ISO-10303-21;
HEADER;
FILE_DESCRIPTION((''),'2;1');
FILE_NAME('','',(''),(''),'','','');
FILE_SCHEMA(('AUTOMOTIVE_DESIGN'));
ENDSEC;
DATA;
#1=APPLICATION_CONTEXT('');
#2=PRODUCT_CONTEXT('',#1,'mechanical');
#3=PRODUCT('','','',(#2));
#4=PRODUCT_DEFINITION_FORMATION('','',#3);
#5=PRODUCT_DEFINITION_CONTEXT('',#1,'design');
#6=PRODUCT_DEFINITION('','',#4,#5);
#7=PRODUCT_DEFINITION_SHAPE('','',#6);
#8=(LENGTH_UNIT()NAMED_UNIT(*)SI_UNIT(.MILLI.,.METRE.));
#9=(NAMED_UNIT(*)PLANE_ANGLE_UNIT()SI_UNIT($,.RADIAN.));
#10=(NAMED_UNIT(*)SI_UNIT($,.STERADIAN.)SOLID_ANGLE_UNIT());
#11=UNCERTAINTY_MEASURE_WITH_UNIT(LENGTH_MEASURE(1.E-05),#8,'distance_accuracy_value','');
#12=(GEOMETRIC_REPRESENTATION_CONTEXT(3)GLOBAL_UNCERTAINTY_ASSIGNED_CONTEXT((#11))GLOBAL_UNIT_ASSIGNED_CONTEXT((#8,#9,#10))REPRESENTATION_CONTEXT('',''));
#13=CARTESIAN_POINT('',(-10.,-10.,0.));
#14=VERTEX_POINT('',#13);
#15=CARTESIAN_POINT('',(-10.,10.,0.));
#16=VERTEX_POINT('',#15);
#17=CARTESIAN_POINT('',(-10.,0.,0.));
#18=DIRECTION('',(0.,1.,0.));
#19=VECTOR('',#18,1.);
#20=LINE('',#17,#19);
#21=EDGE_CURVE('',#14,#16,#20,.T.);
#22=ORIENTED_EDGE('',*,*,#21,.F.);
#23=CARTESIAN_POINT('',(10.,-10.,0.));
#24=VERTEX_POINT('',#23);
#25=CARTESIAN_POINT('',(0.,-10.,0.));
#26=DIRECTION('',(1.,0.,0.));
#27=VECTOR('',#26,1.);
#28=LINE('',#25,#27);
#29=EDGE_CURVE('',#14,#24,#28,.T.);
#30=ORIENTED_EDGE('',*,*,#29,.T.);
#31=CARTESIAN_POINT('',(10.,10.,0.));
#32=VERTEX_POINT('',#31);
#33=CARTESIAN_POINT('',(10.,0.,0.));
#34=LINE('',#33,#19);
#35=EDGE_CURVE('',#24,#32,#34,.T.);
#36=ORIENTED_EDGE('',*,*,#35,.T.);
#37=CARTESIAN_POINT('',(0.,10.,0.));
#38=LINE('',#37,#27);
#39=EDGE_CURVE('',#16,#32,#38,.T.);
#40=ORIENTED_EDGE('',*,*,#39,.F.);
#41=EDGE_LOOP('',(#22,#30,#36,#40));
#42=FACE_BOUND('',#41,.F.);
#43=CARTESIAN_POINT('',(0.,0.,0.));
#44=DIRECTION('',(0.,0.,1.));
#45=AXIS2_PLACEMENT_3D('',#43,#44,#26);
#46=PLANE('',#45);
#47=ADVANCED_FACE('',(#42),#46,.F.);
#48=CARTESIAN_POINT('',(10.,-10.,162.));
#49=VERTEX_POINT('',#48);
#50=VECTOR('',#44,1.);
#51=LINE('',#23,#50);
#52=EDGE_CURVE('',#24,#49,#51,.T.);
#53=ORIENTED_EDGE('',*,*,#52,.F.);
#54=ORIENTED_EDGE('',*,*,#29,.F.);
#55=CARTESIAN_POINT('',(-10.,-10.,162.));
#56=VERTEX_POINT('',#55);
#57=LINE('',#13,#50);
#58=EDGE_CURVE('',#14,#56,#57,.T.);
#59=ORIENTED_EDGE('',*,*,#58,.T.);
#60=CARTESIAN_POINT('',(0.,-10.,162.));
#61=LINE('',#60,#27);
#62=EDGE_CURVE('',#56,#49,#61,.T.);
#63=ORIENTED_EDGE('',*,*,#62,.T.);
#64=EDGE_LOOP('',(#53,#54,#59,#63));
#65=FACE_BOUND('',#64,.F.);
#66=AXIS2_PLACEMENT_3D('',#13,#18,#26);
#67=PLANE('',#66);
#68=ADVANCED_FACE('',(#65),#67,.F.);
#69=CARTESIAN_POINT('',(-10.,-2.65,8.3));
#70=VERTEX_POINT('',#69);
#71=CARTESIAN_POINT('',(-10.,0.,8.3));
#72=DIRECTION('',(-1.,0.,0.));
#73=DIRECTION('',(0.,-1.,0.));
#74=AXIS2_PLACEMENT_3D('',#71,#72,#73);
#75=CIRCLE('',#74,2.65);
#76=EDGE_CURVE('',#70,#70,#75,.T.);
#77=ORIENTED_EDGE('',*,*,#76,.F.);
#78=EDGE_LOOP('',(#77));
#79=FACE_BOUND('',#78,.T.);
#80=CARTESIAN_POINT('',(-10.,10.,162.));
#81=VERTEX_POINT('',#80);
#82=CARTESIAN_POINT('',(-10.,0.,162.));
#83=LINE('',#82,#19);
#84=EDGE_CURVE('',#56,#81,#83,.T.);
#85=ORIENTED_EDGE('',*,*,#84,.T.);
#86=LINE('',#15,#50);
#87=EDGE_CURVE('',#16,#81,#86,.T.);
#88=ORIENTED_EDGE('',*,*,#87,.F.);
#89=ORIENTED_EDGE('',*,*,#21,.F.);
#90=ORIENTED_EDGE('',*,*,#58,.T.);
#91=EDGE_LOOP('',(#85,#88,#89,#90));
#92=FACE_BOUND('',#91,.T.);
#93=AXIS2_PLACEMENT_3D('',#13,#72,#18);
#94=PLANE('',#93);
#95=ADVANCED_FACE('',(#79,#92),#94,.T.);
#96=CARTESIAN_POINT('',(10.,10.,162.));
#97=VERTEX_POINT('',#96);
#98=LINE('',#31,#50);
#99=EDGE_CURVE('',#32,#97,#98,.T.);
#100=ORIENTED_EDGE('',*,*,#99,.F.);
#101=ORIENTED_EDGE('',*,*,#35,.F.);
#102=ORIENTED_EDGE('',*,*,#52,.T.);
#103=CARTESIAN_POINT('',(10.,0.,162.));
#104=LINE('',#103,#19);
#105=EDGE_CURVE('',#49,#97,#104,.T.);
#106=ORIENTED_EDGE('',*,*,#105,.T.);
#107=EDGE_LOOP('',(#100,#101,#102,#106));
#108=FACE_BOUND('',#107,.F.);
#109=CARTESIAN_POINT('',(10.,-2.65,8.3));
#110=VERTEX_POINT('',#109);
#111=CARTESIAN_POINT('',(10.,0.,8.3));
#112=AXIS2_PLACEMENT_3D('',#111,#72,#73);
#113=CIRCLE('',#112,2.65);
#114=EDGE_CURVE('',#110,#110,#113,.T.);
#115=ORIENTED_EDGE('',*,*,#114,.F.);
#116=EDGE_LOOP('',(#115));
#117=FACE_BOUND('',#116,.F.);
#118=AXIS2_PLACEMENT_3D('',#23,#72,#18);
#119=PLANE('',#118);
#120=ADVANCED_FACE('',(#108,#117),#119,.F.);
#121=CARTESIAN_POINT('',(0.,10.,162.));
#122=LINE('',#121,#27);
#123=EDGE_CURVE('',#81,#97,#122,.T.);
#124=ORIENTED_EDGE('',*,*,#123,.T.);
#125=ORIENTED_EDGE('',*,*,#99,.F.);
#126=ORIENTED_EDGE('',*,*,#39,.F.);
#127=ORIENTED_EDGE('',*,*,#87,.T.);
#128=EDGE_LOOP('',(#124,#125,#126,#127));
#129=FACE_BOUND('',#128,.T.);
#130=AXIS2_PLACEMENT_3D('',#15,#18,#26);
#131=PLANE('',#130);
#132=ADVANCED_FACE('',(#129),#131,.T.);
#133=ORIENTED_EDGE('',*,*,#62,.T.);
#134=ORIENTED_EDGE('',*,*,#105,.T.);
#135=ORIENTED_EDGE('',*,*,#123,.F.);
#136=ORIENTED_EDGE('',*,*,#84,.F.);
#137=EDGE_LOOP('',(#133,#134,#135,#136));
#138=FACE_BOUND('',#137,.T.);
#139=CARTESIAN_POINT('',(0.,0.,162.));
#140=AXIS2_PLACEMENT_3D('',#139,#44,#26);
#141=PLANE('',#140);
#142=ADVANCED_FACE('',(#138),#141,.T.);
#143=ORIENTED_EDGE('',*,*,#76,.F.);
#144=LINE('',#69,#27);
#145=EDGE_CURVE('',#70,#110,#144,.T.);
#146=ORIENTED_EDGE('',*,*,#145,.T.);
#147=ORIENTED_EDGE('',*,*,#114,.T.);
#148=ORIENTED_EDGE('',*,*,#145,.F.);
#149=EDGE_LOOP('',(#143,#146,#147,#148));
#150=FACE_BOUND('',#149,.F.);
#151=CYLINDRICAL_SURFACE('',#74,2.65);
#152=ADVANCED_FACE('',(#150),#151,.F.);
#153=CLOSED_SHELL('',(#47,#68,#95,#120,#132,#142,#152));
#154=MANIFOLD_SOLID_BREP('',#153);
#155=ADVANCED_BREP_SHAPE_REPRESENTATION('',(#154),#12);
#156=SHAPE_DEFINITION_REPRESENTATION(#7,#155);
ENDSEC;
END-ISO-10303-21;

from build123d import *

# Parameters (mm, degrees)
F0_W     = 20
F0_H     = 20
F1_DEPTH = 162
F3_R     = 2.65
F4_DEPTH = 20.001


with BuildPart() as f1:
    # F0 (on Top) → F1 (new body)
    with BuildSketch(Plane.XY):
        Rectangle(F0_W, F0_H)
    extrude(amount=F1_DEPTH)

    # F3 (on face) → F4 (cut, through all)
    with BuildSketch(Plane(origin=(-10, 0, 0), x_dir=(0, -1, 0), z_dir=(-1, 0, 0))):
        with Locations((0, 8.3)):
            Circle(F3_R)
    extrude(amount=-F4_DEPTH, mode=Mode.SUBTRACT)


solid = f1.part
